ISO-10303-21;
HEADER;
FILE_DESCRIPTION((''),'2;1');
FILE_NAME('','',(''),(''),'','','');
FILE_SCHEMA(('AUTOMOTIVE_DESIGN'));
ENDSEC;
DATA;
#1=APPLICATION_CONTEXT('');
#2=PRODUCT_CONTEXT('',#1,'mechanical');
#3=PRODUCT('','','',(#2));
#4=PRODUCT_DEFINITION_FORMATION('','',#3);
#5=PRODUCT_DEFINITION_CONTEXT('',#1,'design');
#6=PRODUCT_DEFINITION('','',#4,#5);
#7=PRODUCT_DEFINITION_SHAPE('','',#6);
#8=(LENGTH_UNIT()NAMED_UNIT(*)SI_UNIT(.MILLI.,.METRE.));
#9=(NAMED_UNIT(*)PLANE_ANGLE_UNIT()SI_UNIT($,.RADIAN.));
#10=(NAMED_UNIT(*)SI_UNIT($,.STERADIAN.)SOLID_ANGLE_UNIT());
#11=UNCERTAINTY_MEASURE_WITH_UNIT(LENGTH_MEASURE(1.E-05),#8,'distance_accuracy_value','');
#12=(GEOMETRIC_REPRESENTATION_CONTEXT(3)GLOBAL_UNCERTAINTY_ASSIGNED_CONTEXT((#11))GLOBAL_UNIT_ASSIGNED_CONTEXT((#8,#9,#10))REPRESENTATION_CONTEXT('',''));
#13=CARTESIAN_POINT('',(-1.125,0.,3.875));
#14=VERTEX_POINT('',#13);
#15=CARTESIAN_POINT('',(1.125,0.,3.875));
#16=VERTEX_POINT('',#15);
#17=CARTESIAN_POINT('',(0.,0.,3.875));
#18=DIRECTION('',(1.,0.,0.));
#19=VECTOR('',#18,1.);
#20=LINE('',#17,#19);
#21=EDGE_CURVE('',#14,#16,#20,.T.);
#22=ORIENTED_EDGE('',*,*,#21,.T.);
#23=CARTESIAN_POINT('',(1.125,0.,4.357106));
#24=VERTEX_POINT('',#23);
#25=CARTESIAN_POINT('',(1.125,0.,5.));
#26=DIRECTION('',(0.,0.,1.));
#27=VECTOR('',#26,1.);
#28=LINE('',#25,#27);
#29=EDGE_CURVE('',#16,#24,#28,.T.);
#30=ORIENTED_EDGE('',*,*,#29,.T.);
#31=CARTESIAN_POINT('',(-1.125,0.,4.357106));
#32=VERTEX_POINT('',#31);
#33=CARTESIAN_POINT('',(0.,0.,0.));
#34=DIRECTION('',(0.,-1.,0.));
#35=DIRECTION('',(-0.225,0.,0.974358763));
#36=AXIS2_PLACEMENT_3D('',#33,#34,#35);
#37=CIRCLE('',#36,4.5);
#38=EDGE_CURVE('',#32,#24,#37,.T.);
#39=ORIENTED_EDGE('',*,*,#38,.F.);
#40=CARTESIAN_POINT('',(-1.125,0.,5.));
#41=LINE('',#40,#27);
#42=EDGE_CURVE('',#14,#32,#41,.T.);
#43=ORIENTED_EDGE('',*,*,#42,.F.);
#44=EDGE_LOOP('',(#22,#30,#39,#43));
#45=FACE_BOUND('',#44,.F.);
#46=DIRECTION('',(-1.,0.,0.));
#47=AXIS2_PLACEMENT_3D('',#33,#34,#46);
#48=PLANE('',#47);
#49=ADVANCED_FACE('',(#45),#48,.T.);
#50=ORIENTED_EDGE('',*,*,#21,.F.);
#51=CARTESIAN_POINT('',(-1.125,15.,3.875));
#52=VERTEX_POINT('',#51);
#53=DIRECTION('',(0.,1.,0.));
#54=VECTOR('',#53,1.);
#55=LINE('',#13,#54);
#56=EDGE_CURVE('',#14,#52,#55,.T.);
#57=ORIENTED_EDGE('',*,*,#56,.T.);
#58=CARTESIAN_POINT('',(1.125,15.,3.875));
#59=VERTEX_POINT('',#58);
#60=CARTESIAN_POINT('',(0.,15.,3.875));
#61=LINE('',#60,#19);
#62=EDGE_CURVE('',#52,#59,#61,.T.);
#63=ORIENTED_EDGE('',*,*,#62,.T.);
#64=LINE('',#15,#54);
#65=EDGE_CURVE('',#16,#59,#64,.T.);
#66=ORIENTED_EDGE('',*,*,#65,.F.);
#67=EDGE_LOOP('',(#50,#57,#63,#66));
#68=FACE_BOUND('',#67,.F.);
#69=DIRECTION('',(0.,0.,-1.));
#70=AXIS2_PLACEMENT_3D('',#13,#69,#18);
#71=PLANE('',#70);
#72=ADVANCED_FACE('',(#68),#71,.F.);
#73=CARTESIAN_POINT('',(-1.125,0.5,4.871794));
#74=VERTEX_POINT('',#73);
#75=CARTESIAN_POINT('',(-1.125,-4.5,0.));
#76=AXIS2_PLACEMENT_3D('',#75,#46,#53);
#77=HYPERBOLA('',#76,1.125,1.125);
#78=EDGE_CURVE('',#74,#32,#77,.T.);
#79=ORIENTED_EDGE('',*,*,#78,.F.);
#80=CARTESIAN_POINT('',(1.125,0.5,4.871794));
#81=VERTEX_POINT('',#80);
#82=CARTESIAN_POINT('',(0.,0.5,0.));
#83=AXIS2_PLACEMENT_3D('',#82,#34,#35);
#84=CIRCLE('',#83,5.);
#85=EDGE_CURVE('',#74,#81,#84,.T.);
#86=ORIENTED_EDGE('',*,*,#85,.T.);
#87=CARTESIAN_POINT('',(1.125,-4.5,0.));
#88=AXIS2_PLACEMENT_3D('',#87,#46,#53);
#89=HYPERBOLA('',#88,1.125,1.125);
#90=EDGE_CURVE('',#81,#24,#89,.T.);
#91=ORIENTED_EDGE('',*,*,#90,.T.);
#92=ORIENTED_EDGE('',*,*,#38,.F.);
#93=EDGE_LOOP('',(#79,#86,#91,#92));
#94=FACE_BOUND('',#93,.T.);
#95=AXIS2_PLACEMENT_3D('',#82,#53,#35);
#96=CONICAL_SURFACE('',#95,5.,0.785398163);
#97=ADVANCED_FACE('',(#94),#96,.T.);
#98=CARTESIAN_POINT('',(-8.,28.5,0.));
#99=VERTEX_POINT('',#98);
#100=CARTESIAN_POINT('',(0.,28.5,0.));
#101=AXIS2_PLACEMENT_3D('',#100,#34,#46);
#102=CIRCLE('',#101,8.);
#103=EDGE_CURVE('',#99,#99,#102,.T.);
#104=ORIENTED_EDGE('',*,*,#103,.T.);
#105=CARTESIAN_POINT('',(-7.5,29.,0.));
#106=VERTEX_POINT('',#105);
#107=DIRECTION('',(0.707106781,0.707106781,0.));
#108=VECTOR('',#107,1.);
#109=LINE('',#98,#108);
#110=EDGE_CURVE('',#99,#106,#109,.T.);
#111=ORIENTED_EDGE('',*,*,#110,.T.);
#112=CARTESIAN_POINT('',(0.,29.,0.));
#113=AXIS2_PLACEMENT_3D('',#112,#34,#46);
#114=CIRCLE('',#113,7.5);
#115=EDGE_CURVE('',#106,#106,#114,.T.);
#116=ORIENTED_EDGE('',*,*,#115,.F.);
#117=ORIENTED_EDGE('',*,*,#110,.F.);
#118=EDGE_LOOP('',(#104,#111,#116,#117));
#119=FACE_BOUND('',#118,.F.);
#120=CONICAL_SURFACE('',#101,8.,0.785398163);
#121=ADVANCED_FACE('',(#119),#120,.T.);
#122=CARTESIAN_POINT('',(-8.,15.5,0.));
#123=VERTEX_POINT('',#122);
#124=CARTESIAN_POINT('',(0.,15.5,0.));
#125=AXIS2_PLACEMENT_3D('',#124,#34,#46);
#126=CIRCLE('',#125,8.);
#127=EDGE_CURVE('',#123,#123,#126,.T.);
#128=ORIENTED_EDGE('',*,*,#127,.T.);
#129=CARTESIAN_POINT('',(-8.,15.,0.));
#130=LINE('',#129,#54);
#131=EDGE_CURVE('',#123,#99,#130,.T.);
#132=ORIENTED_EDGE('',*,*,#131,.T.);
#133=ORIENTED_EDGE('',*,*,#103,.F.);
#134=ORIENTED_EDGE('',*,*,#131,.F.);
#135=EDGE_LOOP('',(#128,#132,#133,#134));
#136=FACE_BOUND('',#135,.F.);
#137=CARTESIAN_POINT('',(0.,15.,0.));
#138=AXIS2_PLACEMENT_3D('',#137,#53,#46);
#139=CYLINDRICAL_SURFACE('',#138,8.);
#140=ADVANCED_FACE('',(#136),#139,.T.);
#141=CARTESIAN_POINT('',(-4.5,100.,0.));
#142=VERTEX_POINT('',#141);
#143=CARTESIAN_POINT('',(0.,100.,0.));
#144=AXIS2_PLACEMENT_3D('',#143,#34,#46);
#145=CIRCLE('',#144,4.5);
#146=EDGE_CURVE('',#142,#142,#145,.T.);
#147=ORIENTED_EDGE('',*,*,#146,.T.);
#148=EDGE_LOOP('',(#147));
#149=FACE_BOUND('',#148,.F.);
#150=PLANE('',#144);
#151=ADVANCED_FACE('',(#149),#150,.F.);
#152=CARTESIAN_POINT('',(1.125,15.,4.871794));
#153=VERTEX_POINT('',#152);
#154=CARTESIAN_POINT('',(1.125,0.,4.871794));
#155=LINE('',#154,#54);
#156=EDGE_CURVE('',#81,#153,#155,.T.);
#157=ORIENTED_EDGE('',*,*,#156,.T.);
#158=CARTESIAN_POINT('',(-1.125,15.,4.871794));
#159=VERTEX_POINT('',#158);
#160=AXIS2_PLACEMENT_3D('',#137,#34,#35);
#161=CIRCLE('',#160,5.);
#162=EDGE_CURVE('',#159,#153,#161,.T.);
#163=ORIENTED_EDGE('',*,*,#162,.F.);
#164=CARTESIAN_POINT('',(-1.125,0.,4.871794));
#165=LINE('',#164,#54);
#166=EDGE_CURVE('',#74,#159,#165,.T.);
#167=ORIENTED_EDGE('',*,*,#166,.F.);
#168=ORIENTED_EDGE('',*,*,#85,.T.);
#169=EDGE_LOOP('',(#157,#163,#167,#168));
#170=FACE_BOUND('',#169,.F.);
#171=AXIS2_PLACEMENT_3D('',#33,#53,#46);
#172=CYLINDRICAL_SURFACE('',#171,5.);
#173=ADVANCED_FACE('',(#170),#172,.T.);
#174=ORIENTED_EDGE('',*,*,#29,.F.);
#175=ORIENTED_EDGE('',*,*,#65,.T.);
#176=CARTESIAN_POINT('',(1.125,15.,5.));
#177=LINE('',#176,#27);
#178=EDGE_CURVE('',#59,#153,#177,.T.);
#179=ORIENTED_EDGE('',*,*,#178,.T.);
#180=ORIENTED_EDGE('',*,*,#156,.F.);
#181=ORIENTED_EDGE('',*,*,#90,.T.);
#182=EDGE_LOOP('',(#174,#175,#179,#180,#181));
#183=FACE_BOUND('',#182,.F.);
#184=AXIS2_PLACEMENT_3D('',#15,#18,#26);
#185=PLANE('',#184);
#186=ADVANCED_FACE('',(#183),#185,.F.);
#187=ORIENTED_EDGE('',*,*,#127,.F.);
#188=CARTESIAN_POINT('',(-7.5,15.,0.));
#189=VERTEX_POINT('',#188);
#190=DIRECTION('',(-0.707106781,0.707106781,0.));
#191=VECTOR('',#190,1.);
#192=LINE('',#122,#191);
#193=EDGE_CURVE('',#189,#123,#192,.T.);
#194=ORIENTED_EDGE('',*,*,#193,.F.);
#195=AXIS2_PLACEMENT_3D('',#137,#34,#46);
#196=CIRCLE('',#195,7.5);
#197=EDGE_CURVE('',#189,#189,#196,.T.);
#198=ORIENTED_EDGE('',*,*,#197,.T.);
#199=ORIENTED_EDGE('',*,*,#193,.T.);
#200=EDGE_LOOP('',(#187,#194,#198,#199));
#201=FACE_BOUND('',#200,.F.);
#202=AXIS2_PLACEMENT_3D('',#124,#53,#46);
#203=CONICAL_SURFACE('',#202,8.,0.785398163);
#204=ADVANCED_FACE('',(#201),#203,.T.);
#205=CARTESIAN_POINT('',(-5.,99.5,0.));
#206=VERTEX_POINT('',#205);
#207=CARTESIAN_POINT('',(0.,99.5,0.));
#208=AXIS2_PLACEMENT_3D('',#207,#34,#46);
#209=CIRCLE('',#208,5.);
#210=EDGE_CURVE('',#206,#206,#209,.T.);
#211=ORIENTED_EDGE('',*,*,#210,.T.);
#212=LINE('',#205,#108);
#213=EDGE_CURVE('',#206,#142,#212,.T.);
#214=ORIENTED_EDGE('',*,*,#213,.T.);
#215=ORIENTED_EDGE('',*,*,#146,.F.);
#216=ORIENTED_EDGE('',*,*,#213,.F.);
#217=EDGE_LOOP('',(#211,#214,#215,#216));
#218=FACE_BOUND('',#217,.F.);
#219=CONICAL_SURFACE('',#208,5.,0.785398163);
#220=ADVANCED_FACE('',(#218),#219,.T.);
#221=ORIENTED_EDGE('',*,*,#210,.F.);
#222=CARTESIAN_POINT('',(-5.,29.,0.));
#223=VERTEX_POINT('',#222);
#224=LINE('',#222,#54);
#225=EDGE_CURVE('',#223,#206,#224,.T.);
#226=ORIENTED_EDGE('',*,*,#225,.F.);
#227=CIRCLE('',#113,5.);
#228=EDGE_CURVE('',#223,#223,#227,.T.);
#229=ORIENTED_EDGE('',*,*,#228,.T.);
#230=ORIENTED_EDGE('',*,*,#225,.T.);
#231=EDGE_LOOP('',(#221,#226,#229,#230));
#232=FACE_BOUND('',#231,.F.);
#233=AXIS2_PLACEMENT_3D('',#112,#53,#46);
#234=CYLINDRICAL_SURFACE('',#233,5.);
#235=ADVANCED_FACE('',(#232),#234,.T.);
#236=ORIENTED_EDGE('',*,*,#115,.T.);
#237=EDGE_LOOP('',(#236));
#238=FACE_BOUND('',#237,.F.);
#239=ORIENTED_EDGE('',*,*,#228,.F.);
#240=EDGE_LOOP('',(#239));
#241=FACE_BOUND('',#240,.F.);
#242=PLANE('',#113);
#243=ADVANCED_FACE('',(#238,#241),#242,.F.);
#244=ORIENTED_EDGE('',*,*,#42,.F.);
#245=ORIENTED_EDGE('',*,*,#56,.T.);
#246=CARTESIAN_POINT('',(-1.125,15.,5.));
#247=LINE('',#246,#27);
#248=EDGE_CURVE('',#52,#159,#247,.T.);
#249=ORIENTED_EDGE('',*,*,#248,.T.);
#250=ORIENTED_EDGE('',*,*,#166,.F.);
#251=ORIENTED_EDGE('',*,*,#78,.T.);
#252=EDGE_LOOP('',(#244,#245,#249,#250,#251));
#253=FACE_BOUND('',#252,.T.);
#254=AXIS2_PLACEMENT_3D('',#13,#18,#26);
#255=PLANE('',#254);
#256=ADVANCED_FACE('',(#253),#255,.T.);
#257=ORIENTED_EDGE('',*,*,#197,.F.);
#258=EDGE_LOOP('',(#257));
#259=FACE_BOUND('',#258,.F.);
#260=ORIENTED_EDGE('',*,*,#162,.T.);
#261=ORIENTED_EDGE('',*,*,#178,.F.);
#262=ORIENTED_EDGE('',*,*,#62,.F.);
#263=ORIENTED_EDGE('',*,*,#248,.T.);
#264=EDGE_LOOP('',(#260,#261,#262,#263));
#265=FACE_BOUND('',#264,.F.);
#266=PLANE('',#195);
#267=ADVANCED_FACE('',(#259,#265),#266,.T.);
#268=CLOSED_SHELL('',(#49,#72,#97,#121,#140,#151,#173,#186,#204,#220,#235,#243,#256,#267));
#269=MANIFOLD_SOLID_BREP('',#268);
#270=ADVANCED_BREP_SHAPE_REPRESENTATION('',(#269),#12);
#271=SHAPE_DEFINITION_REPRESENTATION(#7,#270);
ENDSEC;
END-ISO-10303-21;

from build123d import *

# Parameters (mm, degrees)
SKETCH2_W          = 2.25
SKETCH2_H          = 2.25
CUT_EXTRUDE1_DEPTH = 15
CHAMFER1_SIZE      = 0.5
CHAMFER2_SIZE      = 0.5


with BuildPart() as part:
    # Sketch1 → Revolve1 (revolve)
    with BuildSketch(Plane.XY, mode=Mode.PRIVATE) as revolve1_sk:
        Polygon((0, 0), (5, 0), (5, 15), (8, 15), (8, 29), (5, 29), (5, 100), (0, 100), align=None)
    revolve(revolve1_sk.sketch.rotate(Axis((0, 100, 0), (0, -1, 0)), 180), axis=Axis((0, 100, 0), (0, -1, 0)))

    # Sketch2 → Cut-Extrude1 (cut)
    with BuildSketch(Plane.XZ):
        with Locations((0, 5)):
            Rectangle(SKETCH2_W, SKETCH2_H)
    extrude(amount=-CUT_EXTRUDE1_DEPTH, mode=Mode.SUBTRACT)

    # Chamfer1
    chamfer1_edges = [part.edges().sort_by_distance(p)[0] for p in [
        (8, 29, 0),
        (8, 15, 0),
    ]]
    chamfer(chamfer1_edges, length=CHAMFER1_SIZE)

    # Chamfer2
    chamfer2_edges = [part.edges().sort_by_distance(p)[0] for p in [
        (0, 0, -5),
        (5, 100, 0),
    ]]
    chamfer(chamfer2_edges, length=CHAMFER2_SIZE)


solid = part.part
